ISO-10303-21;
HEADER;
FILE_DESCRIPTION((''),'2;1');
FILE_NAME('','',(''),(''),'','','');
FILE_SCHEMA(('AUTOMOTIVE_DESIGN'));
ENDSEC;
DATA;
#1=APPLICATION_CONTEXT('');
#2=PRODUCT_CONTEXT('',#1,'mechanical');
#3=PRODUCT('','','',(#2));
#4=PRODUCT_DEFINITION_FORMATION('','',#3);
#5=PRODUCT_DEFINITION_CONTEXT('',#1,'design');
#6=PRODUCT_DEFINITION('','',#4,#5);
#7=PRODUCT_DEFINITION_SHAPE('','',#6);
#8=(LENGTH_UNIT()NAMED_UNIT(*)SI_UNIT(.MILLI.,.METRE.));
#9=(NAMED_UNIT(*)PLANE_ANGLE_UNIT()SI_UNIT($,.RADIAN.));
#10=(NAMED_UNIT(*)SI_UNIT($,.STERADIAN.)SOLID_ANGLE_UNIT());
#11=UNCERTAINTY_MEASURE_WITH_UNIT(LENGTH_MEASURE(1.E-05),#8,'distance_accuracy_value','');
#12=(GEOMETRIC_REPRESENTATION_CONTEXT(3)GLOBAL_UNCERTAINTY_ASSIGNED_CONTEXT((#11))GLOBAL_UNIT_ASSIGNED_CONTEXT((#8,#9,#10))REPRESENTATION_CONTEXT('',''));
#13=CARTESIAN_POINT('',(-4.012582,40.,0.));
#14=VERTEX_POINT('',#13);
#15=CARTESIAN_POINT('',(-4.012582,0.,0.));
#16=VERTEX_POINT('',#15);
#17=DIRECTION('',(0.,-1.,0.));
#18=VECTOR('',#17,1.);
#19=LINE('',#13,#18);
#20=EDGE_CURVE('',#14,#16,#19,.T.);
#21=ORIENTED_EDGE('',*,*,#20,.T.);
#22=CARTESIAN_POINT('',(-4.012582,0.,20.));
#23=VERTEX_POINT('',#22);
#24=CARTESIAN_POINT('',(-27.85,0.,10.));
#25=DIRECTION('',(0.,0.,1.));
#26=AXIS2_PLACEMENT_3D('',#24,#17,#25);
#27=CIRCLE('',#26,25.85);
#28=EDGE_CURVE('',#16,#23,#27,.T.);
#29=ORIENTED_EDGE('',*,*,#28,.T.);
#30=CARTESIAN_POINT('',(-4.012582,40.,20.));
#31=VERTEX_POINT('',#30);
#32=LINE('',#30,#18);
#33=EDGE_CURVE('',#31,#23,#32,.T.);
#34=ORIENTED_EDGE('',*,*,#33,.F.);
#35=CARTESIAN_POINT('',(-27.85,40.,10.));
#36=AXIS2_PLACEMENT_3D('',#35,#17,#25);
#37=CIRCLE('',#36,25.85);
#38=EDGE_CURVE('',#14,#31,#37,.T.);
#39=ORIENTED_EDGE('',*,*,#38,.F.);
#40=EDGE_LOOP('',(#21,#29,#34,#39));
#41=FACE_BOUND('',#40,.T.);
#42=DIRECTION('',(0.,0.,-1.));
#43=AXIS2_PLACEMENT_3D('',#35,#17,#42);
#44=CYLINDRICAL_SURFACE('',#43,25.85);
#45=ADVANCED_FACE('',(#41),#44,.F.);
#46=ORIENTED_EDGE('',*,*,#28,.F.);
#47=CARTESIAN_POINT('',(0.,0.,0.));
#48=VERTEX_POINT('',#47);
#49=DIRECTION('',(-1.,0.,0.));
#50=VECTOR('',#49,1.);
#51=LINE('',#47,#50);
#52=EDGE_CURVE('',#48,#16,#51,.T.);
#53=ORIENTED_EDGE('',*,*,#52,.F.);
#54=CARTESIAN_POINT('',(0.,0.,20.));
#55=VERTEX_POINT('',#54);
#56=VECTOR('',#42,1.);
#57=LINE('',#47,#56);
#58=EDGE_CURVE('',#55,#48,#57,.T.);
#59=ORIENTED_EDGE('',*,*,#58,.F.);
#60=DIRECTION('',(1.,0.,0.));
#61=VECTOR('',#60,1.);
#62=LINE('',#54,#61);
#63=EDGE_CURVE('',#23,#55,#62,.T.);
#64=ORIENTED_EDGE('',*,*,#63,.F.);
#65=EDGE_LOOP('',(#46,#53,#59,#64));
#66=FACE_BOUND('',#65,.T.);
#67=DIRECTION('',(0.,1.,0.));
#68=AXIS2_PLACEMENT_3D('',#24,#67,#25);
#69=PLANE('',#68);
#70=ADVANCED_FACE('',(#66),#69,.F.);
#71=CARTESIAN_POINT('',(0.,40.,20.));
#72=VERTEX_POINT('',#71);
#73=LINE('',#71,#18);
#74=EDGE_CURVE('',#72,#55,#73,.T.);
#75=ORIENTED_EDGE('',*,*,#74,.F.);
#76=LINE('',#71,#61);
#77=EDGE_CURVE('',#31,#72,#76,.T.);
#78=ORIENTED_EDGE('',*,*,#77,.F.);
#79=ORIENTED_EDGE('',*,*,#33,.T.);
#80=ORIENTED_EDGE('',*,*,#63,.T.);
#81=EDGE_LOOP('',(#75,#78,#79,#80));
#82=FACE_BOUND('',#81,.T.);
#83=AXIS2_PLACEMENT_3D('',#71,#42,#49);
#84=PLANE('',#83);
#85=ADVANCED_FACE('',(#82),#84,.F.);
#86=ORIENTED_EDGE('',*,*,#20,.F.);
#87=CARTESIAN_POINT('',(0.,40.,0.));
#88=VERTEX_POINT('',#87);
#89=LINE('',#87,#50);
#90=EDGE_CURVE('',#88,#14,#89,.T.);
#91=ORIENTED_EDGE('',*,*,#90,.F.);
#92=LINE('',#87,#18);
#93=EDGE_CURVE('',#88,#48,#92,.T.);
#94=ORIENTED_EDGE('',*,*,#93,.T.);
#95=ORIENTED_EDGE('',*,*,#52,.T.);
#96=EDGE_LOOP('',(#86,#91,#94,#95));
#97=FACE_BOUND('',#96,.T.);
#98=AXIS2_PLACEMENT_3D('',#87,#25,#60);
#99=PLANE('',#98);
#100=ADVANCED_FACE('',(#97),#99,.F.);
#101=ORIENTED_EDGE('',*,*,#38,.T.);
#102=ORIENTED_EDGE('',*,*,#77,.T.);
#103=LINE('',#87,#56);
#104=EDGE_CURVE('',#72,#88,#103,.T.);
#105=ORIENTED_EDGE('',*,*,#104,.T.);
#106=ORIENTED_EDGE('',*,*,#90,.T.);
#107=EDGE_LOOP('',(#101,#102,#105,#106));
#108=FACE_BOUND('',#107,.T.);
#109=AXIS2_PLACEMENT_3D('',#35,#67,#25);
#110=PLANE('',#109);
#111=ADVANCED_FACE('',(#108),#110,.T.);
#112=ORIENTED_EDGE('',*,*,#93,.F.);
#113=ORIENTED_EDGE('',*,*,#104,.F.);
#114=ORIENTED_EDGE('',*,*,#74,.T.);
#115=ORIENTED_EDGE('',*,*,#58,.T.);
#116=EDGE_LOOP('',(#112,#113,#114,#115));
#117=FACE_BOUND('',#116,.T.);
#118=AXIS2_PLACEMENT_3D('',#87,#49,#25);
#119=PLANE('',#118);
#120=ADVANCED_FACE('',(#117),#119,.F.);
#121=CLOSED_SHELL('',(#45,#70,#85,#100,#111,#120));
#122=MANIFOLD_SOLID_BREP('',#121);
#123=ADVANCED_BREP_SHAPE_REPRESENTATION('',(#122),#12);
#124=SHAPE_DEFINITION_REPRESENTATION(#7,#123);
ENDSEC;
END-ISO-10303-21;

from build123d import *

# Parameters (mm, degrees)
EXTRUDE_1_DEPTH = 40


with BuildPart() as part:
    # 草图1 → 凸台-拉伸1 (new body)
    with BuildSketch(Plane(origin=(0, 0, 0), x_dir=(1, 0, 0), z_dir=(0, 1, 0))):
        with BuildLine():
            Line((0, 0), (0, -20))
            Line((0, -20), (-4.012581935, -20))
            ThreePointArc((-4.012581935, -20), (-2, -10), (-4.012581935, 0))
            Line((-4.012581935, 0), (0, 0))
        make_face()
    extrude(amount=EXTRUDE_1_DEPTH)


solid = part.part
